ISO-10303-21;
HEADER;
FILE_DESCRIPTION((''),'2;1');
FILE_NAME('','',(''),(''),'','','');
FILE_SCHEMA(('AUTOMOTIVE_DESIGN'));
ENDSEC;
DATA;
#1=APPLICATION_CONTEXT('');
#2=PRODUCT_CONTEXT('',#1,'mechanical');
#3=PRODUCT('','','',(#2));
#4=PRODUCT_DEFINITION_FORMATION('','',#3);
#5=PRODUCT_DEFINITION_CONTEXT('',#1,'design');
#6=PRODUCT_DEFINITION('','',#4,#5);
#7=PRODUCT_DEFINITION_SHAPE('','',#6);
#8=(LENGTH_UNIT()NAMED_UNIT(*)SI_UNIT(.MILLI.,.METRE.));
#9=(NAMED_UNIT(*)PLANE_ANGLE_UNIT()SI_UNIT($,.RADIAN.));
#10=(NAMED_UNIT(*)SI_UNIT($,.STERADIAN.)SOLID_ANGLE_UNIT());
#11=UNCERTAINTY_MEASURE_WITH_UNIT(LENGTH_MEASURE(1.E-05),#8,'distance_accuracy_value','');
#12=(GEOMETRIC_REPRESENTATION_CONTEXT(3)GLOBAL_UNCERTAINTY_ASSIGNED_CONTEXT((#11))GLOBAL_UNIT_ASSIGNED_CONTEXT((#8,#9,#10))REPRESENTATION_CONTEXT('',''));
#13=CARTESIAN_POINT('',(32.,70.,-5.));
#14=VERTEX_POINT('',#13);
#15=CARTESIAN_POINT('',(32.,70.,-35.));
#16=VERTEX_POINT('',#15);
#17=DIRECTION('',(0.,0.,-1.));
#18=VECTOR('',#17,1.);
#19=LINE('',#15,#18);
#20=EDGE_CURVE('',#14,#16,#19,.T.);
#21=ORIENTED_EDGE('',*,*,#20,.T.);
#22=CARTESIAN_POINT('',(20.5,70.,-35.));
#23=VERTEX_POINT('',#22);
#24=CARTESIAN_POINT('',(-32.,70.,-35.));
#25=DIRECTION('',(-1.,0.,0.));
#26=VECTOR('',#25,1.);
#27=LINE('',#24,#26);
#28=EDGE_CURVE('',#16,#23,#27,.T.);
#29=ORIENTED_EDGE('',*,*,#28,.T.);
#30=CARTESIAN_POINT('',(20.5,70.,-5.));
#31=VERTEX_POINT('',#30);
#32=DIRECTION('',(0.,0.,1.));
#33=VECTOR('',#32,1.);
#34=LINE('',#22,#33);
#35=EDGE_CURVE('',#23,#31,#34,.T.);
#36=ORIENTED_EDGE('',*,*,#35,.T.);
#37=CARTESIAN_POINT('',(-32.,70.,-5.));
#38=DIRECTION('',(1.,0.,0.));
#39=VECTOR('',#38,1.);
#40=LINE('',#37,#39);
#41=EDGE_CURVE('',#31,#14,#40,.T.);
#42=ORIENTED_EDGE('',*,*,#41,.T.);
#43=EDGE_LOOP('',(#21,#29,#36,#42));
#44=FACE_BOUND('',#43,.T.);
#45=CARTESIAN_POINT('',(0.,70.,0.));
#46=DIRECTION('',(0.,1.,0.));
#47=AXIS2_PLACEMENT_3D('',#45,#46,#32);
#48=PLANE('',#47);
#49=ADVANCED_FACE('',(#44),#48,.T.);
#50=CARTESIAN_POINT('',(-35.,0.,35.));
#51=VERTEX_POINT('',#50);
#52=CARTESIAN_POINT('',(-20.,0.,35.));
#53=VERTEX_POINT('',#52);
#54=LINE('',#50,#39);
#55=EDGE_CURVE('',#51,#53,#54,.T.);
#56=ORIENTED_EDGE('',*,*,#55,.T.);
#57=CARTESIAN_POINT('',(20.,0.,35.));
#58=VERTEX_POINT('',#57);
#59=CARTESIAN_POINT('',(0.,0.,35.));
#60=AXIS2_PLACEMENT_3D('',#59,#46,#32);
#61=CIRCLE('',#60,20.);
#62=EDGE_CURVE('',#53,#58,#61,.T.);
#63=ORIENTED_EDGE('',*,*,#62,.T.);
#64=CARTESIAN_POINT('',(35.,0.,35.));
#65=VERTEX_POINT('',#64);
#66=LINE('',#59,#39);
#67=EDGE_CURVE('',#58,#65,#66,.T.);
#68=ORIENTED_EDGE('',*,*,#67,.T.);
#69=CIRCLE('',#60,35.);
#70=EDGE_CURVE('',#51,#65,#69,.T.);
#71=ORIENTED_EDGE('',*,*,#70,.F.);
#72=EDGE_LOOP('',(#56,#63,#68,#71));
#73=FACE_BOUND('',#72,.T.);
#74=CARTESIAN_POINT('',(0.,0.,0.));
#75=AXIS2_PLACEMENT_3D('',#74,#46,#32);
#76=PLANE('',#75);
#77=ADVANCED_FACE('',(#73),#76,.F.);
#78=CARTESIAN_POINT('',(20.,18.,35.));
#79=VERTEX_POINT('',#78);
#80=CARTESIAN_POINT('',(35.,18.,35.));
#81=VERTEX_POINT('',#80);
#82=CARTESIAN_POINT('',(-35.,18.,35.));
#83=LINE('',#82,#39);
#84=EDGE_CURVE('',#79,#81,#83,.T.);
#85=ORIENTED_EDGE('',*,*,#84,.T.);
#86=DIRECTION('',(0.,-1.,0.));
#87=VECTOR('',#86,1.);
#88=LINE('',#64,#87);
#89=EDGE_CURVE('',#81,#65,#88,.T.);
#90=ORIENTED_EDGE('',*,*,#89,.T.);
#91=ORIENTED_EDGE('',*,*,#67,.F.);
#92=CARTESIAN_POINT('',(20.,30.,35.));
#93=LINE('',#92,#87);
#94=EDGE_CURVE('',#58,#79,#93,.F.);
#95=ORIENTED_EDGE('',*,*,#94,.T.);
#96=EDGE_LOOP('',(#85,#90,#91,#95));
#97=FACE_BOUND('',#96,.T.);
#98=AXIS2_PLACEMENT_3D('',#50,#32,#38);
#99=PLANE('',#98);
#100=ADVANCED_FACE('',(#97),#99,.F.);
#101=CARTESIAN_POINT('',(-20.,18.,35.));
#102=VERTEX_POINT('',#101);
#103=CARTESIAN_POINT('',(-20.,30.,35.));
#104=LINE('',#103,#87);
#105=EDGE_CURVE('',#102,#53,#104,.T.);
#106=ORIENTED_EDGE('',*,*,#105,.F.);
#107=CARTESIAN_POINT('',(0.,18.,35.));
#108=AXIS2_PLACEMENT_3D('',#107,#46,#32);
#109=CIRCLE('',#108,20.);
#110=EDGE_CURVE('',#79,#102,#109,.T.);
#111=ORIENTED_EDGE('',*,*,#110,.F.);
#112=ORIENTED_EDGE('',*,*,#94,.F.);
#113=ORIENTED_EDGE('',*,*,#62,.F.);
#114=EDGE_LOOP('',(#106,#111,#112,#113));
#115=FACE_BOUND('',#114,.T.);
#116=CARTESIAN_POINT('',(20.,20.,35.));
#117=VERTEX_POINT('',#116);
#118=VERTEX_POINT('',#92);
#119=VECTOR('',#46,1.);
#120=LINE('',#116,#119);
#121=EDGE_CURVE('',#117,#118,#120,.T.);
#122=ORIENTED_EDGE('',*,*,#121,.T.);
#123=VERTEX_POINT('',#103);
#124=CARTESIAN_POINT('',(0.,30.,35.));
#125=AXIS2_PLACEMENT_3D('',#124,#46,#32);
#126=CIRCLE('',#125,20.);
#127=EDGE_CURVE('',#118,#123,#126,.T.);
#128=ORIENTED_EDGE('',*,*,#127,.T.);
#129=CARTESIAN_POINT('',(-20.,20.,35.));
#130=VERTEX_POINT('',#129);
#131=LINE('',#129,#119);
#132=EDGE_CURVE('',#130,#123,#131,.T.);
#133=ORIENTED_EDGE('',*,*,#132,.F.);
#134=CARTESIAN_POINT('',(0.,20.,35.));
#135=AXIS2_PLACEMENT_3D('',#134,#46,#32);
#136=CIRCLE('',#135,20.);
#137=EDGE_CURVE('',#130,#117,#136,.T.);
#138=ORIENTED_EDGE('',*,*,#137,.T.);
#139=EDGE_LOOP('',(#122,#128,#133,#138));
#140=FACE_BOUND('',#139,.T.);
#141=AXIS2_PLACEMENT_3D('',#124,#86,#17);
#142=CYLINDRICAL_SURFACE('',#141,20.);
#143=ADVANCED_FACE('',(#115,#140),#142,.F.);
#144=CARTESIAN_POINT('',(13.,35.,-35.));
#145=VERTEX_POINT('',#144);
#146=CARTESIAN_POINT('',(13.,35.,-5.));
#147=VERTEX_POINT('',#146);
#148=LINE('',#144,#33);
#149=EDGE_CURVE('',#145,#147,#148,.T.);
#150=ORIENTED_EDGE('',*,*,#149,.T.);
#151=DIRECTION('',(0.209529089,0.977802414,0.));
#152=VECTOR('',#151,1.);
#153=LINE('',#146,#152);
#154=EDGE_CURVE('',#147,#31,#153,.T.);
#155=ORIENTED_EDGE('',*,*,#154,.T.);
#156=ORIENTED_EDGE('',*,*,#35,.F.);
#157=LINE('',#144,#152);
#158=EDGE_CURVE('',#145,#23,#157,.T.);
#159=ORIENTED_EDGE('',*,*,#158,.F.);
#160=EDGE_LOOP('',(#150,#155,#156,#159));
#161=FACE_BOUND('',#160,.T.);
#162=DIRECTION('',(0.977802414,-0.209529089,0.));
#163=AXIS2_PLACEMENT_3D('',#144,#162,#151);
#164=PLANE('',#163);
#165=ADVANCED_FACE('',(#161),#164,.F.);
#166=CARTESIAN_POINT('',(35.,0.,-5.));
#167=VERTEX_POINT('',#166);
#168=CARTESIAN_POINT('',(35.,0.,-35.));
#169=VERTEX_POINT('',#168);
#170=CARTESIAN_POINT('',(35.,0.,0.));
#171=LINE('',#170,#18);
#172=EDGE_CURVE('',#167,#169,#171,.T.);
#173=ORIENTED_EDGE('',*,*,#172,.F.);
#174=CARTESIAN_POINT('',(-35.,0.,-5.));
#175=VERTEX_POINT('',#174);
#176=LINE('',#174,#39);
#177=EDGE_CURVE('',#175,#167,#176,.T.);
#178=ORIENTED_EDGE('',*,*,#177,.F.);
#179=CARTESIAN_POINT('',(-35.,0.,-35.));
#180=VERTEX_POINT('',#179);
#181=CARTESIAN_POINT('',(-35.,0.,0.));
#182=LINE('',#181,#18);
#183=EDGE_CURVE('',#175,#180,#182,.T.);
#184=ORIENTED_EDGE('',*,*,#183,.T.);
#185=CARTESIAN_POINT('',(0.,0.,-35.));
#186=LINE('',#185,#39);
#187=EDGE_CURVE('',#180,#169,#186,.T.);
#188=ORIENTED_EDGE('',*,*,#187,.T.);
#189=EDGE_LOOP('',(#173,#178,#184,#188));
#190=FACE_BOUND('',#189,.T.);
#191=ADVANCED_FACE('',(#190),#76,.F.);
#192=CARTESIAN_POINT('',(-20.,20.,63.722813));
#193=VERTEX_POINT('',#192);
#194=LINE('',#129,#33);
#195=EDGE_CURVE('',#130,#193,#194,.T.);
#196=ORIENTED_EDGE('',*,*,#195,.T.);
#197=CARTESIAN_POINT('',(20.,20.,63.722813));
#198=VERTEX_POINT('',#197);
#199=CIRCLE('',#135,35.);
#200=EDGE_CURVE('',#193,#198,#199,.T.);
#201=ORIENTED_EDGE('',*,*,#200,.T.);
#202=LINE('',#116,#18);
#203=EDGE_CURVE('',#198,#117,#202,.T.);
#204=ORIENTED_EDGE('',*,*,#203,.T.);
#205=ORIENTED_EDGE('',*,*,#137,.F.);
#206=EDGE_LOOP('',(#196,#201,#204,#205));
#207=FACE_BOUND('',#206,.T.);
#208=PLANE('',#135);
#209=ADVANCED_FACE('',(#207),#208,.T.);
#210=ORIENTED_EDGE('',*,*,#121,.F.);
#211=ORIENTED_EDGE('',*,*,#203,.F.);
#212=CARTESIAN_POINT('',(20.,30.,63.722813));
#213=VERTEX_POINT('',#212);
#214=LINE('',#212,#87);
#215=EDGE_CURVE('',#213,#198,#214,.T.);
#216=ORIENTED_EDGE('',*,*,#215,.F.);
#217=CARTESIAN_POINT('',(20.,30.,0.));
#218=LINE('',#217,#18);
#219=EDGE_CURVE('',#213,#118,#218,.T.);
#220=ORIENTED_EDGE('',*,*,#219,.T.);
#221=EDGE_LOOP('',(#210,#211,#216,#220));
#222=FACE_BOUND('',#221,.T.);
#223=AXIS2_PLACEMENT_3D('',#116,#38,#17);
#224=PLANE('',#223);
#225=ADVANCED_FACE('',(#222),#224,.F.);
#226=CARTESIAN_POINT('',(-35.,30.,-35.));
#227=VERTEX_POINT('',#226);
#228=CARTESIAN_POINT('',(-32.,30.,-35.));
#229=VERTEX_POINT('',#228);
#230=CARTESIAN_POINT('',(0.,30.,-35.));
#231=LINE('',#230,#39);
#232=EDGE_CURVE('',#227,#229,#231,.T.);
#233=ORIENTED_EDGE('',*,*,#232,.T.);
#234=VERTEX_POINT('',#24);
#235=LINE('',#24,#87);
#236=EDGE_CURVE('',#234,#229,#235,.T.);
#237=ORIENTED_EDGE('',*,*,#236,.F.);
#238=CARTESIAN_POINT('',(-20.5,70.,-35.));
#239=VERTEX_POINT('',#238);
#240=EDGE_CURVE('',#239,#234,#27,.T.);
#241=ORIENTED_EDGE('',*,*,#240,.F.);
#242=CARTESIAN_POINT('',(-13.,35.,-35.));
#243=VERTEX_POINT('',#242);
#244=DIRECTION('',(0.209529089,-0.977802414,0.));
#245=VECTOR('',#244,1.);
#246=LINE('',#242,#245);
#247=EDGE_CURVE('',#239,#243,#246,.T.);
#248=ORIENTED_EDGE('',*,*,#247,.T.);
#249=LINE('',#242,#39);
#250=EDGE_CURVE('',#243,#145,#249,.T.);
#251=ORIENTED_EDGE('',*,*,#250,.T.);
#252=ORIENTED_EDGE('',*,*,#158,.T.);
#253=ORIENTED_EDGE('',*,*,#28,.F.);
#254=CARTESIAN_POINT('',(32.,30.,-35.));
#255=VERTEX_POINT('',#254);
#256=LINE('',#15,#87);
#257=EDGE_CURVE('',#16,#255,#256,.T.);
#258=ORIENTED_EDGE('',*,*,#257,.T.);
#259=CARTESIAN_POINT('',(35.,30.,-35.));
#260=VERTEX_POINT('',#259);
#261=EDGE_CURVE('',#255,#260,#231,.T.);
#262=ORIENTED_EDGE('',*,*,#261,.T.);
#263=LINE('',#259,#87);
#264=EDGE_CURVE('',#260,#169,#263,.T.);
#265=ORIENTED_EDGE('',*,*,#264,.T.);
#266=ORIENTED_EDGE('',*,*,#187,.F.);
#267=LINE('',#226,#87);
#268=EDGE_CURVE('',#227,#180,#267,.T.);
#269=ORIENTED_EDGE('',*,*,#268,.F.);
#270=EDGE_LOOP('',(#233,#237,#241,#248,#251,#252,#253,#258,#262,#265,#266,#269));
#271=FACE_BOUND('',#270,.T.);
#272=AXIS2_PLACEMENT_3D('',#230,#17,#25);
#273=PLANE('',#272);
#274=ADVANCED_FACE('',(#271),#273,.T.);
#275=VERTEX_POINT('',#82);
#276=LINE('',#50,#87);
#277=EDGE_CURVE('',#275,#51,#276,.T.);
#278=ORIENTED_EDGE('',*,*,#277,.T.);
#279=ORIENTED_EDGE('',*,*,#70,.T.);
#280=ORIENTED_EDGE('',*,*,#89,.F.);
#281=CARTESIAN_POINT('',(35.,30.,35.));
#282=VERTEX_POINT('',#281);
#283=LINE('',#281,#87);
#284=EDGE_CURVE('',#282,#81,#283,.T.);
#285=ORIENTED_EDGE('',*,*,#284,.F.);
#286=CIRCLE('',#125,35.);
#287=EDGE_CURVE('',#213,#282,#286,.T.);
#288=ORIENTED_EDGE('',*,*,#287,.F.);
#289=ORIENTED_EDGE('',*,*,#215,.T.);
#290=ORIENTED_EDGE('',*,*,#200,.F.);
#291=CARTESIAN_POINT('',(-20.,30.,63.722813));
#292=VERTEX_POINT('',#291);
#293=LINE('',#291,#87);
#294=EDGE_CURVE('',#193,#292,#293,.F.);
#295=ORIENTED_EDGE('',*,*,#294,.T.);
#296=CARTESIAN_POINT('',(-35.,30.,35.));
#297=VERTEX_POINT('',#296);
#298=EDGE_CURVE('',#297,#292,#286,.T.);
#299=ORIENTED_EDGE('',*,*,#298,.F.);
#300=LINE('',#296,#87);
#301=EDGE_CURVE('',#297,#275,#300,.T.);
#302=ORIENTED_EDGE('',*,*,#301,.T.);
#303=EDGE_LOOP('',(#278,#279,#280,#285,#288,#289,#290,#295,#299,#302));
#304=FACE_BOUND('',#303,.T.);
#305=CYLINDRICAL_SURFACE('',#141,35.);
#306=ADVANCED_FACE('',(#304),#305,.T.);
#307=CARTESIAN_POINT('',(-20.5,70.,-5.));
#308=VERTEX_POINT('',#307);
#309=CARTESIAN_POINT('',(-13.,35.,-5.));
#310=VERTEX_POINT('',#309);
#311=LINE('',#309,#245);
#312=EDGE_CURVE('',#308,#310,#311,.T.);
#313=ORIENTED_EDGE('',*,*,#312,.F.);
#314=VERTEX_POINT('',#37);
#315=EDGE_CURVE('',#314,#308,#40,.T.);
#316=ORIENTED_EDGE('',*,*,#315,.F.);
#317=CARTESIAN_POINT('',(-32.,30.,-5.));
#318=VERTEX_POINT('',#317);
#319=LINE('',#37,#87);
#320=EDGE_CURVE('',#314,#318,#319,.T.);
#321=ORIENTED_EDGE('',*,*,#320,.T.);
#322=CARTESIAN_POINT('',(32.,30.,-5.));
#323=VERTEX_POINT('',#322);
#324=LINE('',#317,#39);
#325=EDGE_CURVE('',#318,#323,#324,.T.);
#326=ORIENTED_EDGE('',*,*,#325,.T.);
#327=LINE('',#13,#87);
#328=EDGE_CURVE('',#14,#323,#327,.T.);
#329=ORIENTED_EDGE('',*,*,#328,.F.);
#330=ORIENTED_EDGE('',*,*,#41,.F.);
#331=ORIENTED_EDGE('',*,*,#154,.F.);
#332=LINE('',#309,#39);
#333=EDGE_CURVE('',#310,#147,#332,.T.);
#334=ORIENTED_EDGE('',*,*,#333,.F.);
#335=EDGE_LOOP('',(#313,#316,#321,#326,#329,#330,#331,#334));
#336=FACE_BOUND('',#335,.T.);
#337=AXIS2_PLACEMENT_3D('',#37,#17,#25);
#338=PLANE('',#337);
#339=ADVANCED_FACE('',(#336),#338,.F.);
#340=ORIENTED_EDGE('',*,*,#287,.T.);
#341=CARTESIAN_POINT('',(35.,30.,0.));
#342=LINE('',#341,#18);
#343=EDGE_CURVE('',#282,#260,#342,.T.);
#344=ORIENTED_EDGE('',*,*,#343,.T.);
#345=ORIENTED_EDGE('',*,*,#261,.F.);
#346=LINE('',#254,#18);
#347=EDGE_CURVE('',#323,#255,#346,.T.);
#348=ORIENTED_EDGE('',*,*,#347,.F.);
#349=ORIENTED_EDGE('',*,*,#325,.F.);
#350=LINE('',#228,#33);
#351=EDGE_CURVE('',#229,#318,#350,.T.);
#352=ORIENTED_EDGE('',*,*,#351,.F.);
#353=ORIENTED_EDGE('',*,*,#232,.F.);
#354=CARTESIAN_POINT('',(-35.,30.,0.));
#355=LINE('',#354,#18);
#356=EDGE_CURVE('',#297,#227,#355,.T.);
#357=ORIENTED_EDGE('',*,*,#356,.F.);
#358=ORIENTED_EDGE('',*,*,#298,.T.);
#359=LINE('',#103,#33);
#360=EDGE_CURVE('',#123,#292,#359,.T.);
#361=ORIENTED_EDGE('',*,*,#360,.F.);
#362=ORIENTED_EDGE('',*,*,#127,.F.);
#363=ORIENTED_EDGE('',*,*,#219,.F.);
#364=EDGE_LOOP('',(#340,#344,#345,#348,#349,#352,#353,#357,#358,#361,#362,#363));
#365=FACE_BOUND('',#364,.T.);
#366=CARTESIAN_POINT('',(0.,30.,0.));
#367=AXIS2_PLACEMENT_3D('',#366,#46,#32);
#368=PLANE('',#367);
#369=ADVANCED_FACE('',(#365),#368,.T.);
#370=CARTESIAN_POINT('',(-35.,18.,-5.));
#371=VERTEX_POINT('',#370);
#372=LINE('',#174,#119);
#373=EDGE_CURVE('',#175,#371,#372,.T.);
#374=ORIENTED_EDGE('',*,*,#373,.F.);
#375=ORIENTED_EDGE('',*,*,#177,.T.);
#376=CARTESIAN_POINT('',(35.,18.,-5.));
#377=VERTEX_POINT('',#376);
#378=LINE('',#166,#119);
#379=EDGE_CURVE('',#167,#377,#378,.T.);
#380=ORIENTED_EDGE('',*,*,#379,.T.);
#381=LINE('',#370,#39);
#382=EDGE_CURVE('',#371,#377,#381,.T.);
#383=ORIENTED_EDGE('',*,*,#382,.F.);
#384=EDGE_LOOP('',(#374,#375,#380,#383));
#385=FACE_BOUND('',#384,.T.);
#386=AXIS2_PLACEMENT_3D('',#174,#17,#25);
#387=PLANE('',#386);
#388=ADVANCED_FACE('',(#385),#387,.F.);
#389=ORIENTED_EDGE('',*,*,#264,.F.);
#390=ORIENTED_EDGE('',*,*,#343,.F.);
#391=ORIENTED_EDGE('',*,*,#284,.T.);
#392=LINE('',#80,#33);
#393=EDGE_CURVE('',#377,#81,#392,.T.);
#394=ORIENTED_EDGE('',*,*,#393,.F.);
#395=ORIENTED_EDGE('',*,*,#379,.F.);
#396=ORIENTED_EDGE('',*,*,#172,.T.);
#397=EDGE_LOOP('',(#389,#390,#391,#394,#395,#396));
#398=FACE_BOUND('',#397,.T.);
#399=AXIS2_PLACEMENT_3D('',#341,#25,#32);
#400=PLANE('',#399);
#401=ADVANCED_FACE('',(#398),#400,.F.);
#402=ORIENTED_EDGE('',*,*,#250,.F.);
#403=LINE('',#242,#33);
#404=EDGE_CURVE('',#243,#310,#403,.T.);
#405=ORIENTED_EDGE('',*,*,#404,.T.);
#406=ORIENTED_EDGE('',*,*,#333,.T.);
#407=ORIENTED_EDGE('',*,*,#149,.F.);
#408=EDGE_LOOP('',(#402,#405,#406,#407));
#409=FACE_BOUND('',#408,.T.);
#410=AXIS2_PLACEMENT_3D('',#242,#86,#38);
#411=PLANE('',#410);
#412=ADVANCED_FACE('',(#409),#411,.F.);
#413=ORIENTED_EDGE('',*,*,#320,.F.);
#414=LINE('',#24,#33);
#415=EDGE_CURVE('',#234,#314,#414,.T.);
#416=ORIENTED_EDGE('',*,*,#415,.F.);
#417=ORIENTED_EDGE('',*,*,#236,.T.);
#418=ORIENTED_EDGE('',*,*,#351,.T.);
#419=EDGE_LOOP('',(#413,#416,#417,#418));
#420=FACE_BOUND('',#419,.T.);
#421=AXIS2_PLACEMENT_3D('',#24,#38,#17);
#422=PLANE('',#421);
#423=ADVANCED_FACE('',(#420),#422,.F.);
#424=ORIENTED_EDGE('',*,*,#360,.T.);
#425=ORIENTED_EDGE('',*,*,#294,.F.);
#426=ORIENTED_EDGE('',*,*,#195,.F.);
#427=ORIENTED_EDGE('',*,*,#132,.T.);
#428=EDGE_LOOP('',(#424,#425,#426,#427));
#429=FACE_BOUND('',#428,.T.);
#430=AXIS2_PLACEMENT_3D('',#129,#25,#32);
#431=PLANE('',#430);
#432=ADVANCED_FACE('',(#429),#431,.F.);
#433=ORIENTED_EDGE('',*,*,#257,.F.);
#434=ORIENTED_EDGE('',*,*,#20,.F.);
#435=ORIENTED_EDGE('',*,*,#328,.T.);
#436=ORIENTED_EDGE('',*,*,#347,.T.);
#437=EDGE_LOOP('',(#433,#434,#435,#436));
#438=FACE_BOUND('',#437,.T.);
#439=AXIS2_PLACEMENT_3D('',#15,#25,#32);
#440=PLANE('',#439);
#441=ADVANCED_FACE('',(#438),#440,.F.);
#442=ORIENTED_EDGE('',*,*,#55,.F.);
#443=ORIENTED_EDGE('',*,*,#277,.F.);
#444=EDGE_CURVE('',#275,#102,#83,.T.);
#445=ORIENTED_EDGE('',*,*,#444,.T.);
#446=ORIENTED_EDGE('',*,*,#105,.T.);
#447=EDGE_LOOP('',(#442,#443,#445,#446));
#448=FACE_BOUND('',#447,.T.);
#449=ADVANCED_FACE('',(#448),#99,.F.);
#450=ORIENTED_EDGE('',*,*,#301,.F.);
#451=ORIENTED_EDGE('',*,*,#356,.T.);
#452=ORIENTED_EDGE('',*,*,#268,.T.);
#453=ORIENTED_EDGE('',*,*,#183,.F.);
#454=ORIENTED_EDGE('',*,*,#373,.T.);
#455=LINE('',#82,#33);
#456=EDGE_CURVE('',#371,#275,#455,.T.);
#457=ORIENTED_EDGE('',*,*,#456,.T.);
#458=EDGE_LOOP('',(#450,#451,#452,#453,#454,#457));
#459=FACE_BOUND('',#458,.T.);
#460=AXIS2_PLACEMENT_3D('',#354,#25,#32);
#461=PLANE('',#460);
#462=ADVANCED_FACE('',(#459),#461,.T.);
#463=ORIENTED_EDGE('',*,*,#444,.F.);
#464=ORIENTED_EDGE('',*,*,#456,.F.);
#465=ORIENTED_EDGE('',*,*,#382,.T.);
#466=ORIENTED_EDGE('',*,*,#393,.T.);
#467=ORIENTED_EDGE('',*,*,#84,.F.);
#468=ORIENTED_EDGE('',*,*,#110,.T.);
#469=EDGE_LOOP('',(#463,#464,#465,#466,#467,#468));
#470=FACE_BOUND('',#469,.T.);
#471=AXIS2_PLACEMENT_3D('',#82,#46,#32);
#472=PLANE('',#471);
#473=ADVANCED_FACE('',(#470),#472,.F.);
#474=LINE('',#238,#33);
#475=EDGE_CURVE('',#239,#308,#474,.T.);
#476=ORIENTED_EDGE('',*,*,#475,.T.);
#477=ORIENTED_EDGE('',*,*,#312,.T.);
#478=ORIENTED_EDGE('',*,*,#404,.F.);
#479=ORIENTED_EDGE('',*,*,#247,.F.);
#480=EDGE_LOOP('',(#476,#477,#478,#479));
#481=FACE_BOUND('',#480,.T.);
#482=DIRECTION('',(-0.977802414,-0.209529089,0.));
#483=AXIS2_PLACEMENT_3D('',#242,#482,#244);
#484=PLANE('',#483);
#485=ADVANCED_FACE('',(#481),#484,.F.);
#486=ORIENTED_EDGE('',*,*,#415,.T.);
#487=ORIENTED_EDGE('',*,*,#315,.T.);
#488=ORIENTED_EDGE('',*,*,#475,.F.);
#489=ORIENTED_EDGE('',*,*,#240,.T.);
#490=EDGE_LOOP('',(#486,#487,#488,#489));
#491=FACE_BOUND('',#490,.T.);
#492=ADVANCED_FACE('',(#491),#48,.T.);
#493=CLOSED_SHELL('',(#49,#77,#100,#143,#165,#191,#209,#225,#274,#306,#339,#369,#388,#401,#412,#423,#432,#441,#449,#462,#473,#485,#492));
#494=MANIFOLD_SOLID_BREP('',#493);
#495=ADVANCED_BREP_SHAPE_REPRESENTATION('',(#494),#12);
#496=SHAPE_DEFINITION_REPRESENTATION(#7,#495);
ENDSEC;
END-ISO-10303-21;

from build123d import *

# Parameters (mm, degrees)
SKETCH1_R           = 20
SKETCH1_W           = 70
SKETCH1_H           = 30
BOSS_EXTRUDE1_DEPTH = 30
SKETCH2_W           = 40
SKETCH2_H           = 18
CUT_EXTRUDE1_DEPTH  = 70
CUT_EXTRUDE2_START  = -10
CUT_EXTRUDE2_DEPTH  = 10
SKETCH4_W           = 64
SKETCH4_H           = 30
BOSS_EXTRUDE2_DEPTH = 40
CUT_EXTRUDE3_DEPTH  = 109.397416943


with BuildPart() as part:
    # Sketch1 → Boss-Extrude1 (new body)
    # profile 1 of 2: a face of its own
    with BuildSketch(Plane(origin=(0, 0, 0), x_dir=(1, 0, 0), z_dir=(0, 1, 0))):
        with BuildLine():
            Line((-35, 5), (-35, -35))
            ThreePointArc((-35, -35), (0, -70), (35, -35))
            Line((35, -35), (35, 5))
            Line((35, 5), (-35, 5))
        make_face()
        with Locations(Location((0, -35, 0), (0, 0, 270))):
            Circle(SKETCH1_R, mode=Mode.SUBTRACT)
    # profile 2 of 2: a face of its own
    with BuildSketch(Plane(origin=(0, 0, 0), x_dir=(1, 0, 0), z_dir=(0, 1, 0))):
        with Locations((0, 20)):
            Rectangle(SKETCH1_W, SKETCH1_H)
    extrude(amount=BOSS_EXTRUDE1_DEPTH)

    # Sketch2 → Cut-Extrude1 (cut)
    with BuildSketch(Plane(origin=(35, 0, 0), x_dir=(0, 0, -1), z_dir=(1, 0, 0))):
        with Locations((-15, 9)):
            Rectangle(SKETCH2_W, SKETCH2_H)
    extrude(amount=-CUT_EXTRUDE1_DEPTH, mode=Mode.SUBTRACT)

    # Sketch3 → Cut-Extrude2 (cut)
    with BuildSketch(Plane(origin=(0, 30, 0), x_dir=(1, 0, 0), z_dir=(0, 1, 0)).offset(CUT_EXTRUDE2_START)):
        with BuildLine():
            Line((20, -35), (20, -91.691085181))
            Line((20, -91.691085181), (-20, -91.691085181))
            Line((-20, -91.691085181), (-20, -35))
            ThreePointArc((-20, -35), (0, -15), (20, -35))
        make_face()
    extrude(amount=CUT_EXTRUDE2_DEPTH, mode=Mode.SUBTRACT)

    # Sketch4 → Boss-Extrude2 (add)
    with BuildSketch(Plane(origin=(0, 30, 0), x_dir=(1, 0, 0), z_dir=(0, 1, 0))):
        with Locations((0, 20)):
            Rectangle(SKETCH4_W, SKETCH4_H)
    extrude(amount=BOSS_EXTRUDE2_DEPTH)

    # Sketch5 → Cut-Extrude3 (cut, through all)
    with BuildSketch(Plane.XY.offset(-5)):
        Polygon((-20.5, 70), (20.5, 70), (13, 35), (-13, 35), align=None)
    extrude(amount=-CUT_EXTRUDE3_DEPTH, mode=Mode.SUBTRACT)


solid = part.part
